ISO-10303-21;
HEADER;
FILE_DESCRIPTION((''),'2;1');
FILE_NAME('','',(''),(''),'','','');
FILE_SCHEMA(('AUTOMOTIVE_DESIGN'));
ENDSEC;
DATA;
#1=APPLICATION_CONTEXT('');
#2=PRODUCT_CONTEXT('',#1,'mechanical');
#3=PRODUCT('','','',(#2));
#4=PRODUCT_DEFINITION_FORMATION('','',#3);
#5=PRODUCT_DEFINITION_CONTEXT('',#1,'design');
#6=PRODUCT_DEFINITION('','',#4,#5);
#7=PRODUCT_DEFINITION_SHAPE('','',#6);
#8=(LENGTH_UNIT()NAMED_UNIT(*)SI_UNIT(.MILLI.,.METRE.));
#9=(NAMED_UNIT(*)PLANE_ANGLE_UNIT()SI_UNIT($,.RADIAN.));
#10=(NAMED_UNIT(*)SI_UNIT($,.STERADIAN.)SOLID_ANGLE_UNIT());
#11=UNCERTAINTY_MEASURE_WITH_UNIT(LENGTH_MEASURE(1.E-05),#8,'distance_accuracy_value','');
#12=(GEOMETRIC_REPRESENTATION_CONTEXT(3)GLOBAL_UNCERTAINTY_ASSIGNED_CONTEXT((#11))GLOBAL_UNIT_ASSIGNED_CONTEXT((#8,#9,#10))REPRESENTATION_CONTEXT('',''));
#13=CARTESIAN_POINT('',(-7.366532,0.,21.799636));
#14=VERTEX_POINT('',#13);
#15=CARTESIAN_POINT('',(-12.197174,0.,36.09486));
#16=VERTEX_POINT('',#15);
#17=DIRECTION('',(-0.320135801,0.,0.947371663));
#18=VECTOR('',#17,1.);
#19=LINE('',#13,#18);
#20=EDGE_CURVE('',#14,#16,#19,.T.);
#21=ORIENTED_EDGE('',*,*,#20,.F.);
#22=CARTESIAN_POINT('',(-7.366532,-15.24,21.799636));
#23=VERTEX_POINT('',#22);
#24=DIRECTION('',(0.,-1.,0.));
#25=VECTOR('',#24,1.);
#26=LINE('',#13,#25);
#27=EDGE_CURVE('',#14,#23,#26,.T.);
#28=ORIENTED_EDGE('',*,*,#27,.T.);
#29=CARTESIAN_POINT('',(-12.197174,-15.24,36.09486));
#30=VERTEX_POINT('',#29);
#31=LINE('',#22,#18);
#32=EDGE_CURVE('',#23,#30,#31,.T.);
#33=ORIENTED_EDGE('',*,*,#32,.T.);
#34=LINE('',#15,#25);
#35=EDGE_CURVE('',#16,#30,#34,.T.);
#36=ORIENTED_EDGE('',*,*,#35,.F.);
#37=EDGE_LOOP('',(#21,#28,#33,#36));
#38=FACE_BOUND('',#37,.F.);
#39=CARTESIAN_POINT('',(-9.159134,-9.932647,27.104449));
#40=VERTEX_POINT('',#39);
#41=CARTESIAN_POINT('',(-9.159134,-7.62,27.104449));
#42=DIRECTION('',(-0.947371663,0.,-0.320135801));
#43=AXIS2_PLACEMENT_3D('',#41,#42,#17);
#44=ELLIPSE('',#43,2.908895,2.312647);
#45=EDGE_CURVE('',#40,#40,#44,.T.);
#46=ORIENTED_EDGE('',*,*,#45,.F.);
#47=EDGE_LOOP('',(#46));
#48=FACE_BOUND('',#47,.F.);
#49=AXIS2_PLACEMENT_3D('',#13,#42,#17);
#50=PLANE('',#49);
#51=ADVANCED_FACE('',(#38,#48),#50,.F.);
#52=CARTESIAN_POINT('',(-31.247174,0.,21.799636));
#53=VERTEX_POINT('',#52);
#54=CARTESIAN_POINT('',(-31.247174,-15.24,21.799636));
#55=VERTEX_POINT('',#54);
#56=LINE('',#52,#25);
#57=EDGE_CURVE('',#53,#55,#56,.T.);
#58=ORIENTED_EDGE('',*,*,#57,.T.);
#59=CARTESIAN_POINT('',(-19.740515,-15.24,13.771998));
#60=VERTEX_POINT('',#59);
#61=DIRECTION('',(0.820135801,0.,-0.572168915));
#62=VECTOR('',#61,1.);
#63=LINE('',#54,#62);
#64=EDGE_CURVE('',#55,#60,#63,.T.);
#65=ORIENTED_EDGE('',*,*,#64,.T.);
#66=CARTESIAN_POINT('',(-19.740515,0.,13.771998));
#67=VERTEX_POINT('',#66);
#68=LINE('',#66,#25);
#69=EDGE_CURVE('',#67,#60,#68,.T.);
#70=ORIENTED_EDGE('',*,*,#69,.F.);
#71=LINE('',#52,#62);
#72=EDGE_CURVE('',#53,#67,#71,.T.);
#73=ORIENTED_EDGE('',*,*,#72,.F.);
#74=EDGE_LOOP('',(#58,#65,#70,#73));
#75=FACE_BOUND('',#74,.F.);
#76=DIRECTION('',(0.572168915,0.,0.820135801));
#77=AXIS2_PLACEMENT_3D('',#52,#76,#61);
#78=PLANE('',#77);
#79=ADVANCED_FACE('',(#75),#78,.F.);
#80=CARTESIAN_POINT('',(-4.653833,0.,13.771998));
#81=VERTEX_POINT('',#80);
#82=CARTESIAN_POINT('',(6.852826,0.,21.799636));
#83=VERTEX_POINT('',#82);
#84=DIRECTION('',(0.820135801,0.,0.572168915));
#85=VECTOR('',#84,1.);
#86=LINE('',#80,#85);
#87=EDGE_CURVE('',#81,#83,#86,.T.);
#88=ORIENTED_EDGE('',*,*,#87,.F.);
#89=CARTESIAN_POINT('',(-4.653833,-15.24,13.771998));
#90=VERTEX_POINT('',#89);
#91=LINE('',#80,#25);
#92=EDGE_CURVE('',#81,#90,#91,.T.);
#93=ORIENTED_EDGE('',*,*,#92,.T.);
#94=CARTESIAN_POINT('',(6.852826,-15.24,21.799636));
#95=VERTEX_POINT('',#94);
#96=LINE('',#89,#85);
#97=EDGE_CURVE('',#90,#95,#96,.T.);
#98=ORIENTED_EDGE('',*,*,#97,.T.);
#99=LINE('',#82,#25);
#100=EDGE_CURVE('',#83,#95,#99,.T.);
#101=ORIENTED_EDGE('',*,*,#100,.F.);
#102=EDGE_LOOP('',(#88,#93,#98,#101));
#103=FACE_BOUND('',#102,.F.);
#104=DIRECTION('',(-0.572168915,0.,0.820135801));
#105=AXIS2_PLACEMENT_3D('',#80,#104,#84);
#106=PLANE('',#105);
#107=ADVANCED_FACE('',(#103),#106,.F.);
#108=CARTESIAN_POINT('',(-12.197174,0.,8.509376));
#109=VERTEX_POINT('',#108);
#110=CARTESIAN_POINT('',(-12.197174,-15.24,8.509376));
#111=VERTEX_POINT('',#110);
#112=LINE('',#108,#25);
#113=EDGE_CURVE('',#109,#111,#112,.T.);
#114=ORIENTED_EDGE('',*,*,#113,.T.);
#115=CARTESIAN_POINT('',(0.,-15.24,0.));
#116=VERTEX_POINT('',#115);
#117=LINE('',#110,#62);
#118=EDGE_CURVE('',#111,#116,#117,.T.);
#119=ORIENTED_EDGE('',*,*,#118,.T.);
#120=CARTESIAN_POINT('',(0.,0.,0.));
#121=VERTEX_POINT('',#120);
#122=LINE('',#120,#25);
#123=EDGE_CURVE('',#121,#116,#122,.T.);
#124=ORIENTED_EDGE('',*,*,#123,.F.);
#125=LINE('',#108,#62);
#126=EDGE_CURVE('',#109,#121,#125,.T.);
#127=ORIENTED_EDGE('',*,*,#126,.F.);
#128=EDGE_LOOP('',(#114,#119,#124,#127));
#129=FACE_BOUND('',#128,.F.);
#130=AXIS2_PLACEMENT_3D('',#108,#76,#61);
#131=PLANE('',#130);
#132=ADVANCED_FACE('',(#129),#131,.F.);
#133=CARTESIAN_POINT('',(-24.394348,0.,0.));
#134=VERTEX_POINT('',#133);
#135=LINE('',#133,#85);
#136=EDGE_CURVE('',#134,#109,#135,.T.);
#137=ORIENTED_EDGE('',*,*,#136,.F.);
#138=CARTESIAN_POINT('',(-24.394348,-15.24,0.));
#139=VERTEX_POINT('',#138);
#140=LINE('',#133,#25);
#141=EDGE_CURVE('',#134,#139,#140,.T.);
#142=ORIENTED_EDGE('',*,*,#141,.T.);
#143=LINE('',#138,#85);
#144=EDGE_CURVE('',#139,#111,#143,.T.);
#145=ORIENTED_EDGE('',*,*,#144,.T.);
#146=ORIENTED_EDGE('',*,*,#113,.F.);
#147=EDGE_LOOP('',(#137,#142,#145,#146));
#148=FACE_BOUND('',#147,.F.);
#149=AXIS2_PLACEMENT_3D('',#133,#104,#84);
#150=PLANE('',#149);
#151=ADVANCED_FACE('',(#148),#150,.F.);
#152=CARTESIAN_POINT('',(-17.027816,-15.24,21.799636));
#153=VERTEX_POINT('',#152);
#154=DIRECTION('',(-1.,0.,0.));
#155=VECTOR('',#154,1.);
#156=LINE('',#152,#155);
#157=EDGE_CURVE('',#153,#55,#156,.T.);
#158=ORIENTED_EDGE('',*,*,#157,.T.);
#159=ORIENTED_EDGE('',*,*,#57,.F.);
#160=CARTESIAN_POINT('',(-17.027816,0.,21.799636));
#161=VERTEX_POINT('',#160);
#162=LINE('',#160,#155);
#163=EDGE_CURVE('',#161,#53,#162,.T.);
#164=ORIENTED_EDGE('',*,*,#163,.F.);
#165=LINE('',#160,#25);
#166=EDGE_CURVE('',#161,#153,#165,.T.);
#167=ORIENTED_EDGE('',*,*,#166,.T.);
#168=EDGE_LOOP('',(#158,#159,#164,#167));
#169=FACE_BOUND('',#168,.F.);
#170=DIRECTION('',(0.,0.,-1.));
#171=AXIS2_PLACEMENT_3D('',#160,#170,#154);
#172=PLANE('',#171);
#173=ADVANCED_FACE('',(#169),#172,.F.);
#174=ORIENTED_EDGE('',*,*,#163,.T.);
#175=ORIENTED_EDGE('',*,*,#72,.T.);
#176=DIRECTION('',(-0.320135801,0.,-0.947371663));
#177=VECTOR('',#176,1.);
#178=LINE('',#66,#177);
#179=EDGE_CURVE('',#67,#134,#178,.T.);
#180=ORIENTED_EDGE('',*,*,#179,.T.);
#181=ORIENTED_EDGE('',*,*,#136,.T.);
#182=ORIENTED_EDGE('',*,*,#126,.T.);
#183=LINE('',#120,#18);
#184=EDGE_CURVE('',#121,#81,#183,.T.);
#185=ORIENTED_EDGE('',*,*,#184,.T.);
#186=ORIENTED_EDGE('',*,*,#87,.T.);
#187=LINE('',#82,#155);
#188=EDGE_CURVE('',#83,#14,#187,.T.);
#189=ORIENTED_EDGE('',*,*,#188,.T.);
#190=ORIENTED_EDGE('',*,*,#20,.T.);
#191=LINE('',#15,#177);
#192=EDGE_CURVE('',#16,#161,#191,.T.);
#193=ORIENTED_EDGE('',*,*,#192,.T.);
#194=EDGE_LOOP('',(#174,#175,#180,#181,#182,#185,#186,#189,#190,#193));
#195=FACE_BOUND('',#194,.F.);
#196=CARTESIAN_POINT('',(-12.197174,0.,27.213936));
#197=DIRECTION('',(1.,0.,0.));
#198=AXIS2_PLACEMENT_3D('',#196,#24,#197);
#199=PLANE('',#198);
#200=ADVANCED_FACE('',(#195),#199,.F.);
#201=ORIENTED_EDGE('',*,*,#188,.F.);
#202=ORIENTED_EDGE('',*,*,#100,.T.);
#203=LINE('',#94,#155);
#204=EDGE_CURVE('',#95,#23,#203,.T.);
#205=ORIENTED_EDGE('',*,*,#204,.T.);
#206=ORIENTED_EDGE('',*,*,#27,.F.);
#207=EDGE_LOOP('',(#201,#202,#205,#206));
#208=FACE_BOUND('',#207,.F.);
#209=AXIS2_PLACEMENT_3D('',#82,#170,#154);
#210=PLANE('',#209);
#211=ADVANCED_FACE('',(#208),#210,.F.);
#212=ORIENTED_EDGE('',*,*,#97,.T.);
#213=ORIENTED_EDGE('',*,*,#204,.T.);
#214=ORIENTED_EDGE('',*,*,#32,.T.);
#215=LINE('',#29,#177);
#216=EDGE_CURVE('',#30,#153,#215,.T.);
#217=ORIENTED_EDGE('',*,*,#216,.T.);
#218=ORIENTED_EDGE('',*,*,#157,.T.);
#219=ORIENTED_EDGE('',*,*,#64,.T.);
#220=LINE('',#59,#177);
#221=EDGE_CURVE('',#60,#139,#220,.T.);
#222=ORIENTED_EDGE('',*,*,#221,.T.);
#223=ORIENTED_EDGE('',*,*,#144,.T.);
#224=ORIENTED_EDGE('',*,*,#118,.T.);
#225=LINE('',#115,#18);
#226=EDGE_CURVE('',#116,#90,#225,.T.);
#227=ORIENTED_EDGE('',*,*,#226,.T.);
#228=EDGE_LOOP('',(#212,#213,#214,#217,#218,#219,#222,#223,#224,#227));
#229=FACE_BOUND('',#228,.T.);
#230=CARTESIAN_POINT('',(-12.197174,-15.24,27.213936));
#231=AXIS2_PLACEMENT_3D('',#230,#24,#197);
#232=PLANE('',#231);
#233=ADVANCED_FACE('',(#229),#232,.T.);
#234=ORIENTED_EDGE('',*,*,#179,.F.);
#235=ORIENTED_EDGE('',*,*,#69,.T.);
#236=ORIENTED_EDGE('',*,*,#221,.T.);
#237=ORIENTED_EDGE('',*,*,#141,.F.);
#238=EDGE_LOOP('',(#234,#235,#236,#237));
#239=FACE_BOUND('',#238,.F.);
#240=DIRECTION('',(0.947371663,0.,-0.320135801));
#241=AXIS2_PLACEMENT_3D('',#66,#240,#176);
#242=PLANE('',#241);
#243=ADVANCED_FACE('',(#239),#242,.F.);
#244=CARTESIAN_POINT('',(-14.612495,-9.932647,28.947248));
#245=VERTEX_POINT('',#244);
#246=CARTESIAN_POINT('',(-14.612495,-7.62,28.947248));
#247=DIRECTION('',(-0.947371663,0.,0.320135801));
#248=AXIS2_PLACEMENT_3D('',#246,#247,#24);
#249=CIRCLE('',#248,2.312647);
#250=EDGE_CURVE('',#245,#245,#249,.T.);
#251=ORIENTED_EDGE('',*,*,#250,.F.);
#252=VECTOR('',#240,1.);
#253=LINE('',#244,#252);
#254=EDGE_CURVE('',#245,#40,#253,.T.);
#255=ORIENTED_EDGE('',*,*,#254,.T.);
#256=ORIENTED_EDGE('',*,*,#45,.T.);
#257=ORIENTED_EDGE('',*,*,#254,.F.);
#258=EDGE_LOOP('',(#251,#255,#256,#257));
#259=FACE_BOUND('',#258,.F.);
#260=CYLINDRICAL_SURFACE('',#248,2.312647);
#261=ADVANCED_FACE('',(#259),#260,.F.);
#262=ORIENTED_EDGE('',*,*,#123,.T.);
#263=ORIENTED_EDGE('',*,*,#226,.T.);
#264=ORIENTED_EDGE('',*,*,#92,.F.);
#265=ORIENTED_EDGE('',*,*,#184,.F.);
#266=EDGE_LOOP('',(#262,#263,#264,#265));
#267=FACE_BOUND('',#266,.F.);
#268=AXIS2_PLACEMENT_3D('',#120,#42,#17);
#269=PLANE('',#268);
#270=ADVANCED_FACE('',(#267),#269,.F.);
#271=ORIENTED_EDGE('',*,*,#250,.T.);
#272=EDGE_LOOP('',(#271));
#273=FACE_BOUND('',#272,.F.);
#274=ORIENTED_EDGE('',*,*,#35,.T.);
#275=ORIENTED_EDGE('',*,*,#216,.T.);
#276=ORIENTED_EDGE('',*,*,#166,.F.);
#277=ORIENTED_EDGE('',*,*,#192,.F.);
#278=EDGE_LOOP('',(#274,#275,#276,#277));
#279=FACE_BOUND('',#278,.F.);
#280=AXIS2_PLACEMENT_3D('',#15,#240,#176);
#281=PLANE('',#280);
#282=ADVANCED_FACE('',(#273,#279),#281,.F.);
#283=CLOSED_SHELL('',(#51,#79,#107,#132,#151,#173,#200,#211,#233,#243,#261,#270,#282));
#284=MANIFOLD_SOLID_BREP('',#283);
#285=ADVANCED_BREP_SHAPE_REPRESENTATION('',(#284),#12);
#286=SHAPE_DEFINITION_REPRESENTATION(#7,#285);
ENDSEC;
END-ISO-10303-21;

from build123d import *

# Parameters (mm, degrees)
F1_DEPTH = 15.24
F3_R     = 2.312647279
F4_DEPTH = 10.6426


with BuildPart() as f1:
    # F0 (on Front) → F1 (new body)
    with BuildSketch(Plane.XZ):
        Polygon((-7.3665321659, 21.7996356664), (-12.1971740292, 36.0948603779), (-17.0278158926, 21.7996356664), align=None)
        Polygon((-7.3665321659, 21.7996356664), (-17.0278158926, 21.7996356664), (-19.7405148125, 13.7719984015), (-12.1971740292, 8.5093759118), (-4.6538332459, 13.7719984015), align=None)
        Polygon((-19.7405148125, 13.7719984015), (-17.0278158926, 21.7996356664), (-31.2471740292, 21.7996356664), align=None)
        Polygon((6.8528259708, 21.7996356664), (-7.3665321659, 21.7996356664), (-4.6538332459, 13.7719984015), align=None)
        Polygon((-12.1971740292, 8.5093759118), (-19.7405148125, 13.7719984015), (-24.3943480584, 0), align=None)
        Polygon((0, 0), (-4.6538332459, 13.7719984015), (-12.1971740292, 8.5093759118), align=None)
    extrude(amount=F1_DEPTH)

    # F3 (on face) → F4 (cut)
    with BuildSketch(Plane(origin=(-21.8942461856, 0, 7.3985029494), x_dir=(0, -1, 0), z_dir=(-0.9473716635, 0, 0.3201358013))):
        with Locations((7.62, 22.7458197282)):
            Circle(F3_R)
    extrude(amount=-F4_DEPTH, mode=Mode.SUBTRACT)


solid = f1.part
